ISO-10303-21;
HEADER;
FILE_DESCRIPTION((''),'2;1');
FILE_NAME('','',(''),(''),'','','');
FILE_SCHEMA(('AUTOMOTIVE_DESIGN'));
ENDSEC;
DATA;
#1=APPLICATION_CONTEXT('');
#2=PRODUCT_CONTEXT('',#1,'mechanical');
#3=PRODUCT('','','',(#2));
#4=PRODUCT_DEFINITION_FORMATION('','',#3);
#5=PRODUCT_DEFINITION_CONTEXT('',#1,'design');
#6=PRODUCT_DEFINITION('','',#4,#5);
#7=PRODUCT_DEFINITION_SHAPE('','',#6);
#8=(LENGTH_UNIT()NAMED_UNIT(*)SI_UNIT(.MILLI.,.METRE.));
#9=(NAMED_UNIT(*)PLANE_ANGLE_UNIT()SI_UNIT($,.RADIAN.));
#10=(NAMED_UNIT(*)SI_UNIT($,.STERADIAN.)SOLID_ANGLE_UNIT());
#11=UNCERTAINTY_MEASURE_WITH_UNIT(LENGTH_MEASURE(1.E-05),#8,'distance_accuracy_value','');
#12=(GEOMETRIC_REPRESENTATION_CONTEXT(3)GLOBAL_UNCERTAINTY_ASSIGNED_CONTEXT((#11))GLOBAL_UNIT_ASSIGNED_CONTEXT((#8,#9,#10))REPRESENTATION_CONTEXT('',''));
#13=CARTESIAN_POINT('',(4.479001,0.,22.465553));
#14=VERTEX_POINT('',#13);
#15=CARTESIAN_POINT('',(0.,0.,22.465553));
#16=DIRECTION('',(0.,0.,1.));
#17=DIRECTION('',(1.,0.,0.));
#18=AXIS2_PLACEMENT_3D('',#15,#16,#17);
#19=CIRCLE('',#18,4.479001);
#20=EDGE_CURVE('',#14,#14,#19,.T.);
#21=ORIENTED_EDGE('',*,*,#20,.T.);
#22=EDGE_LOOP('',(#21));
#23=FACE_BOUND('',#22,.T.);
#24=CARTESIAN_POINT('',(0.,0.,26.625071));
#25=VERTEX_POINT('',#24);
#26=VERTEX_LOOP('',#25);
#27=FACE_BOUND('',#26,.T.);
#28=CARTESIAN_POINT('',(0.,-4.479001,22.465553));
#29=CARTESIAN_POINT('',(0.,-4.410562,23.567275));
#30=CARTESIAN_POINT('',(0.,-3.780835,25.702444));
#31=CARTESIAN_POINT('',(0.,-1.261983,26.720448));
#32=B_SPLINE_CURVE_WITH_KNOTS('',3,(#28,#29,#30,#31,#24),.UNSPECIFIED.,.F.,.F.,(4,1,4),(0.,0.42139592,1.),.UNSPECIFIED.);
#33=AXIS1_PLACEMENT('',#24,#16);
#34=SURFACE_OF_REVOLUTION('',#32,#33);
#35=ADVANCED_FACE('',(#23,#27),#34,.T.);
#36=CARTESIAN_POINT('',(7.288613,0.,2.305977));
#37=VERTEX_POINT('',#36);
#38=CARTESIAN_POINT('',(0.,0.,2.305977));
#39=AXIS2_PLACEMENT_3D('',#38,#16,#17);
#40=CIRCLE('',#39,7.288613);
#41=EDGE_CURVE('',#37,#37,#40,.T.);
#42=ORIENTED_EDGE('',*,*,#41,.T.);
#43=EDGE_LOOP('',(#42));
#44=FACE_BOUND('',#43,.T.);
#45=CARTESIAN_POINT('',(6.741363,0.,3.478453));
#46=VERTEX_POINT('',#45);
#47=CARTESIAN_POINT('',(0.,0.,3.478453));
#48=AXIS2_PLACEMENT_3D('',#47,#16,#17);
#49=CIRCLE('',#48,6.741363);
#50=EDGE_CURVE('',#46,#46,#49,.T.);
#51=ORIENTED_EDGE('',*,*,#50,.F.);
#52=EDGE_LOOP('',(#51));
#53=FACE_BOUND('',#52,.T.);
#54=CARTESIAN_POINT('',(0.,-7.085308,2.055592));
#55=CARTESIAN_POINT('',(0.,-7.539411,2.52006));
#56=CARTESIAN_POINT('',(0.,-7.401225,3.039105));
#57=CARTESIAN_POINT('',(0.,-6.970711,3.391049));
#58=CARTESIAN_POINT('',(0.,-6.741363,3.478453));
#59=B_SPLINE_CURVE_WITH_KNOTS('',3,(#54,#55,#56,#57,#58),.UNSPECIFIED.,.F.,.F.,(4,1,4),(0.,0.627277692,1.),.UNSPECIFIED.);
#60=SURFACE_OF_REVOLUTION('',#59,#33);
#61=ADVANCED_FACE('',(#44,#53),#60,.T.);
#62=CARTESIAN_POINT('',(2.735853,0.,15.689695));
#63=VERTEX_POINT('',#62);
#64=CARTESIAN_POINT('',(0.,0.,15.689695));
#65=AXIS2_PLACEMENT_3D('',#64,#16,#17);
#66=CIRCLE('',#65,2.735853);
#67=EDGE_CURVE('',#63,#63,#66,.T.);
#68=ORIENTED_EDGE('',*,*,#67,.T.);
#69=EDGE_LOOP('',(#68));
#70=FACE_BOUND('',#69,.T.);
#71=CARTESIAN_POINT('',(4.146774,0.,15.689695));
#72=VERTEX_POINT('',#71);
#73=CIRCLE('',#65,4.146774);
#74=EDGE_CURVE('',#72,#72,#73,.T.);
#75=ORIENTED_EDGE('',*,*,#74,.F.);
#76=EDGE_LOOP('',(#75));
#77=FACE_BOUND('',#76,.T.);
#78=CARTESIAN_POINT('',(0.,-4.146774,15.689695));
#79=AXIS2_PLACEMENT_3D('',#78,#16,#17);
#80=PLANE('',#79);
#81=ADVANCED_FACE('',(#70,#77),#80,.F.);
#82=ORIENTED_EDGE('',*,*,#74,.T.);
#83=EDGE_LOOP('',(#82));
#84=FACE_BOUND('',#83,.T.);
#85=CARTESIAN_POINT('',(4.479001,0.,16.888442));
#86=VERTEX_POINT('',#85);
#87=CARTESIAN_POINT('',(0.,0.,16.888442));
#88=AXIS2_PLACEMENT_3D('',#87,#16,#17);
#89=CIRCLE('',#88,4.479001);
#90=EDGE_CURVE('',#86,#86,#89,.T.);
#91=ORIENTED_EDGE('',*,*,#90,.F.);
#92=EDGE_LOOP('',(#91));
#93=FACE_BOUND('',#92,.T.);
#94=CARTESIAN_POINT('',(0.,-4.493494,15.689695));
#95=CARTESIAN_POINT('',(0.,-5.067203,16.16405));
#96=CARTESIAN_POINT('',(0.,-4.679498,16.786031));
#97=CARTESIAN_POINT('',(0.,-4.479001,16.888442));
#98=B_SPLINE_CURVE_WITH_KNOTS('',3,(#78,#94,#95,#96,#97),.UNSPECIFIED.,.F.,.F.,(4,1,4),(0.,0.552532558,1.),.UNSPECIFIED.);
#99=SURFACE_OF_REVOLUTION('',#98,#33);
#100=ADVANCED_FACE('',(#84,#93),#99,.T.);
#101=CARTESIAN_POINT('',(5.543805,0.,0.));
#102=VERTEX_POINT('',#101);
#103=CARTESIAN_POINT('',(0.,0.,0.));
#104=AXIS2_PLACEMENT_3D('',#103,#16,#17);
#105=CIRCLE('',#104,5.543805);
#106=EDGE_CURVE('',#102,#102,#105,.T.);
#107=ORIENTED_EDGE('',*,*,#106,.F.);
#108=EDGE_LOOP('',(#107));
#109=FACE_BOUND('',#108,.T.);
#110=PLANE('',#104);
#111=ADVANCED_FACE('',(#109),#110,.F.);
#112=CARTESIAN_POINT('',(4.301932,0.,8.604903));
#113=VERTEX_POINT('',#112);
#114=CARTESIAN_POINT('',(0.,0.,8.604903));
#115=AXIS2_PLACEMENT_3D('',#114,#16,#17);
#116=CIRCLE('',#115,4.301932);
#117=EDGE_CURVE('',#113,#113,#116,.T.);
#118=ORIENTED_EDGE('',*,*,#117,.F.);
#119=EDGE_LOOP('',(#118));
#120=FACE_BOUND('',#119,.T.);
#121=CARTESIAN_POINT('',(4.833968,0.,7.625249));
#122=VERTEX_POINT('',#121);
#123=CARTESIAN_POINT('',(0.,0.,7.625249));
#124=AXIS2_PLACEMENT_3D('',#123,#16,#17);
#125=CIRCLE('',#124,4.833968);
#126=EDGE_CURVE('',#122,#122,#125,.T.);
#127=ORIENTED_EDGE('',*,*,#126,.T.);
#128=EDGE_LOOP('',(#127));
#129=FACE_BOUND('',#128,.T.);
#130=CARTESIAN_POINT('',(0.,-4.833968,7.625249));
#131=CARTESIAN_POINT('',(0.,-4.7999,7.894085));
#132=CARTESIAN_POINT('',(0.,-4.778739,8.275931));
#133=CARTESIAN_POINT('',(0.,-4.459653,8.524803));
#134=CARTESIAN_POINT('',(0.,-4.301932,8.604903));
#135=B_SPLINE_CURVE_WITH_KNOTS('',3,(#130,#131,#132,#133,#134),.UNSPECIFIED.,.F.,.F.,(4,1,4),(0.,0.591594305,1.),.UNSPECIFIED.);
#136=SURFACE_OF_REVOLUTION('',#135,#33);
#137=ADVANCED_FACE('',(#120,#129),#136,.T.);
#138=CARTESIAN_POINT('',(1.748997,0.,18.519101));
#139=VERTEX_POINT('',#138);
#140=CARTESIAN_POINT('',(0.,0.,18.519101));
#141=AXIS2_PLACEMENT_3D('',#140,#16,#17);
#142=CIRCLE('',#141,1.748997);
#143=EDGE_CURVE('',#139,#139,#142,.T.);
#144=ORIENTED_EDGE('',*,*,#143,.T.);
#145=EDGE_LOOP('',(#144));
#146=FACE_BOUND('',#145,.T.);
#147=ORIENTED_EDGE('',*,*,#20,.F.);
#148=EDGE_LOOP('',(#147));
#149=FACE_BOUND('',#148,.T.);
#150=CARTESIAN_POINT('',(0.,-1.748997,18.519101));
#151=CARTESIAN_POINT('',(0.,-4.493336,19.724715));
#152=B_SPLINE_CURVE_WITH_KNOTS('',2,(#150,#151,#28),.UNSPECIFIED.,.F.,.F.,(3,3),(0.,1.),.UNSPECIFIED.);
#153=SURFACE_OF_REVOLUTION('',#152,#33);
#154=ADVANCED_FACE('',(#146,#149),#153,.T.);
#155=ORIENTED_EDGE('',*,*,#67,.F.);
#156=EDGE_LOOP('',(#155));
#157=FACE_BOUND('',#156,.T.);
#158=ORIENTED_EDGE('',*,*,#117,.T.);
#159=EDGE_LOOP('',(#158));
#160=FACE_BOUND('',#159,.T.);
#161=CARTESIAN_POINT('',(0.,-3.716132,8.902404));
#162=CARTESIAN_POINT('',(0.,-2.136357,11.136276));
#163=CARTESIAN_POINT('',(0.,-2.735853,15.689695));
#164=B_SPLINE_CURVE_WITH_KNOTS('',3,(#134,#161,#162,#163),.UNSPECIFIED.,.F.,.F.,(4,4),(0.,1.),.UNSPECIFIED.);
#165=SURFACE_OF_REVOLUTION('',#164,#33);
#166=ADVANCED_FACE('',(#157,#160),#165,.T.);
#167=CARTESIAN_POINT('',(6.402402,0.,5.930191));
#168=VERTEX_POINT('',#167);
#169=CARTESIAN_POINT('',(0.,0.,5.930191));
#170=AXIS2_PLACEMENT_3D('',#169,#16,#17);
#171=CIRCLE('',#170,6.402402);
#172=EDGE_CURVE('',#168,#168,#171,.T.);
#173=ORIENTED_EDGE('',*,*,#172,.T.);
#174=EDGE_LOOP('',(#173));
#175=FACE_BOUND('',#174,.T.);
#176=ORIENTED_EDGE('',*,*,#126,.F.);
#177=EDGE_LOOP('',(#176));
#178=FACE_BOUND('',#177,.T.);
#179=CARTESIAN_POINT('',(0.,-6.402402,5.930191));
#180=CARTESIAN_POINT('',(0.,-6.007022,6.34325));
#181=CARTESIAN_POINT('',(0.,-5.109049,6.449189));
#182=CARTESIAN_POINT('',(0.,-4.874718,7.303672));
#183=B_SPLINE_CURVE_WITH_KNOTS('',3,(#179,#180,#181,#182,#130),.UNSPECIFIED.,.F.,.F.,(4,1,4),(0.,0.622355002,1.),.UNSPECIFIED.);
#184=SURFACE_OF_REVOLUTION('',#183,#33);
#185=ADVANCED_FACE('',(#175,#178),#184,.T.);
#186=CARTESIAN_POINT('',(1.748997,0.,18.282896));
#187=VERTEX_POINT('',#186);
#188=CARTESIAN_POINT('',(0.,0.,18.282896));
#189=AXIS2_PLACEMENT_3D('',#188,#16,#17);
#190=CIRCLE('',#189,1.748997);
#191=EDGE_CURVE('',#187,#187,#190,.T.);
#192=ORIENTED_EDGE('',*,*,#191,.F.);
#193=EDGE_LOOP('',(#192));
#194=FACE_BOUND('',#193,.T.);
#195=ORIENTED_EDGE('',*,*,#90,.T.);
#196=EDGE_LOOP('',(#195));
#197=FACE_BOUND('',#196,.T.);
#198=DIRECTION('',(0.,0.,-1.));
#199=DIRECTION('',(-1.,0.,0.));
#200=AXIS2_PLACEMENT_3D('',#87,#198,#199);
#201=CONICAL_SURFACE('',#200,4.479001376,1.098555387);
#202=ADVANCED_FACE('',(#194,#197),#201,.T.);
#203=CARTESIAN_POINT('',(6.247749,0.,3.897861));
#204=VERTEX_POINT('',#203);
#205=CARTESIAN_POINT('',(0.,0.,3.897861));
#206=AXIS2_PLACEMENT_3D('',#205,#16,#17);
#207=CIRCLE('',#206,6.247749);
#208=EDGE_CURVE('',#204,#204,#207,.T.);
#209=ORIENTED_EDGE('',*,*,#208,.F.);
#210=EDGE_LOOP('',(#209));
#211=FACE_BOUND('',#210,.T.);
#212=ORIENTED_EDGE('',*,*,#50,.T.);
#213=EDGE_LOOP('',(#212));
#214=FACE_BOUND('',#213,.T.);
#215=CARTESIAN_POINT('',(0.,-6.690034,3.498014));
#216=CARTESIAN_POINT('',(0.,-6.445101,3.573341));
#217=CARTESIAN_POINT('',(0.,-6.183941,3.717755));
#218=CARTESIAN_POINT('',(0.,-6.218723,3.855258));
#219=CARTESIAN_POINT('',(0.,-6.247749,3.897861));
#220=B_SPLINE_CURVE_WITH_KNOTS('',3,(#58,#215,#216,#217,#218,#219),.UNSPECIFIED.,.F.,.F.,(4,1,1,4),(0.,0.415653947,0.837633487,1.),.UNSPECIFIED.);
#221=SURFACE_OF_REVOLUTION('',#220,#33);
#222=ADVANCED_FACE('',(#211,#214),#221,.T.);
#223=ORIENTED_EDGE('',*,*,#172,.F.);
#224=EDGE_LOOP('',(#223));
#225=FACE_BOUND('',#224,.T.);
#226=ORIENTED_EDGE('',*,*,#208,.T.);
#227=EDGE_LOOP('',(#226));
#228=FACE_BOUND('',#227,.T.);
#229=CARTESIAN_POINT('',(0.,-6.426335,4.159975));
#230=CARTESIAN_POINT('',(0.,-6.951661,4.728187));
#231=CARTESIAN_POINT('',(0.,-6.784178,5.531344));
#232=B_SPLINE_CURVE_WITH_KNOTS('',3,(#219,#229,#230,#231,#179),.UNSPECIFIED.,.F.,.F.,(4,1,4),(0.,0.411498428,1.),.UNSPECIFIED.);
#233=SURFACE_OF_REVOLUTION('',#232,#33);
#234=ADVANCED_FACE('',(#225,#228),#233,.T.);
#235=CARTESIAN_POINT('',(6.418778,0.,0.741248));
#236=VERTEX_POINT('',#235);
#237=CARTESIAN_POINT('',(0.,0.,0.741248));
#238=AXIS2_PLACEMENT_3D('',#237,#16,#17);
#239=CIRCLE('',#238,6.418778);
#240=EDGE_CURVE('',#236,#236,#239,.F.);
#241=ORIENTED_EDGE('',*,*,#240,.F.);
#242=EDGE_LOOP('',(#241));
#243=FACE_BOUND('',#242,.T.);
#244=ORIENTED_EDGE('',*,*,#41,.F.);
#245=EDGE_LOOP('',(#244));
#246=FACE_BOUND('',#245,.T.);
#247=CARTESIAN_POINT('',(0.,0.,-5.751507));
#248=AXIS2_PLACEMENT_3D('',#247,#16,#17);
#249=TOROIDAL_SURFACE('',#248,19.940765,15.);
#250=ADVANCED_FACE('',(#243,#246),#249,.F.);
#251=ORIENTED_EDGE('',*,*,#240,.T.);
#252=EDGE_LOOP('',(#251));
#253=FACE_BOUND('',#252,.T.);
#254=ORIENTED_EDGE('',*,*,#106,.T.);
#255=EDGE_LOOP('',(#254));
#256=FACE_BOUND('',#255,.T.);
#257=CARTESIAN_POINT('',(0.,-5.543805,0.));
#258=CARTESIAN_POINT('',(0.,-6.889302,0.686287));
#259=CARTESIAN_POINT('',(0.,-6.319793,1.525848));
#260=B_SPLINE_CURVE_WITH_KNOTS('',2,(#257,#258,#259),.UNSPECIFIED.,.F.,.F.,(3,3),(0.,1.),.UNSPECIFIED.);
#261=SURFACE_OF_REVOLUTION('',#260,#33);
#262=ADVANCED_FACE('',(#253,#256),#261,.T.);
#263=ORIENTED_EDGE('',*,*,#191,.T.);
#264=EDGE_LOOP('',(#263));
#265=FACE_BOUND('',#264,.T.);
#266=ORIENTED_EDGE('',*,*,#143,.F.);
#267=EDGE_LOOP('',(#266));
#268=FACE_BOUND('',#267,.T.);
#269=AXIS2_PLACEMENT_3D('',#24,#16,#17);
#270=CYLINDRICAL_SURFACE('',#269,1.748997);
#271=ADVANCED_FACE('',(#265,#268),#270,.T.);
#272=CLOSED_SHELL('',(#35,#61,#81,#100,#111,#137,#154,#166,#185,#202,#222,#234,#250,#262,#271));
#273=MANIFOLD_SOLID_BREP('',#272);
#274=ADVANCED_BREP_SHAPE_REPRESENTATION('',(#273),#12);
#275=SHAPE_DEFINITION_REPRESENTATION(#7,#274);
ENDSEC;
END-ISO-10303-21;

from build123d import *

# Parameters (mm, degrees)
FILLET2_R = 15


with BuildPart() as part:
    # Sketch1 → Revolve2 (revolve)
    with BuildSketch(Plane(origin=(0, 0, 0), x_dir=(0, -1, 0), z_dir=(-1, 0, 0))):
        with BuildLine():
            Line((0, 26.625071466), (0, 0))
            Line((0, 0), (5.543805409, 0))
            add(Edge.make_bspline(
                [(6.319793296, 1.525847677), (6.889302205, 0.686287118), (5.543805409, 0)],
                knots=[0, 0, 0, 1, 1, 1], degree=2))
            add(Edge.make_bspline(
                [(7.085307754, 2.055592338), (6.864738604, 1.829988787), (6.609567118, 1.653407233), (6.319793296, 1.525847677)],
                knots=[0, 0, 0, 0, 1, 1, 1, 1], degree=3))
            add(Edge.make_bspline(
                [(6.741362661, 3.478452892), (6.970710589, 3.391049286), (7.40122549, 3.03910509), (7.53941056, 2.520059856), (7.085307754, 2.055592338)],
                knots=[0, 0, 0, 0, 0.372722308, 1, 1, 1, 1], degree=3))
            add(Edge.make_bspline(
                [(6.247749325, 3.897860565), (6.218723376, 3.855258339), (6.183941334, 3.717754673), (6.445100579, 3.573341428), (6.690034137, 3.498013993), (6.741362661, 3.478452892)],
                knots=[0, 0, 0, 0, 0.162366513, 0.584346053, 1, 1, 1, 1], degree=3))
            add(Edge.make_bspline(
                [(6.402401794, 5.930190735), (6.784177677, 5.531343902), (6.951661459, 4.728187202), (6.426334589, 4.159975336), (6.247749325, 3.897860565)],
                knots=[0, 0, 0, 0, 0.588501572, 1, 1, 1, 1], degree=3))
            add(Edge.make_bspline(
                [(4.833967561, 7.625249343), (4.874718363, 7.30367232), (5.109048802, 6.449189117), (6.007021611, 6.343250178), (6.402401794, 5.930190735)],
                knots=[0, 0, 0, 0, 0.377644998, 1, 1, 1, 1], degree=3))
            add(Edge.make_bspline(
                [(4.301931531, 8.604902513), (4.459652634, 8.524803103), (4.778738537, 8.275930853), (4.799900285, 7.894084624), (4.833967561, 7.625249343)],
                knots=[0, 0, 0, 0, 0.408405695, 1, 1, 1, 1], degree=3))
            add(Edge.make_bspline(
                [(2.735852942, 15.689695119), (2.13635684, 11.136275765), (3.716131859, 8.902403651), (4.301931531, 8.604902513)],
                knots=[0, 0, 0, 0, 1, 1, 1, 1], degree=3))
            Line((2.735852942, 15.689695119), (4.146774256, 15.689695119))
            add(Edge.make_bspline(
                [(4.479001376, 16.888442397), (4.679498126, 16.786031007), (5.067202986, 16.164049956), (4.493493746, 15.689695119), (4.146774256, 15.689695119)],
                knots=[0, 0, 0, 0, 0.447467442, 1, 1, 1, 1], degree=3))
            Line((4.479001376, 16.888442397), (1.748997287, 18.282896499))
            Line((1.748997287, 18.282896499), (1.748997287, 18.519100682))
            add(Edge.make_bspline(
                [(4.479001376, 22.465552786), (4.493335744, 19.724714624), (1.748997287, 18.519100682)],
                knots=[0, 0, 0, 1, 1, 1], degree=2))
            add(Edge.make_bspline(
                [(0, 26.625071466), (1.261982799, 26.720448123), (3.78083459, 25.70244409), (4.410562491, 23.567274656), (4.479001376, 22.465552786)],
                knots=[0, 0, 0, 0, 0.57860408, 1, 1, 1, 1], degree=3))
        make_face()
    revolve(axis=Axis((0, 0, 26.625071466), (0, 0, -1)))

    # Fillet2
    fillet2_edges = [part.edges().sort_by_distance(p)[0] for p in [
        (0, 6.319793296, 1.525847677),
    ]]
    fillet(fillet2_edges, radius=FILLET2_R)


solid = part.part
